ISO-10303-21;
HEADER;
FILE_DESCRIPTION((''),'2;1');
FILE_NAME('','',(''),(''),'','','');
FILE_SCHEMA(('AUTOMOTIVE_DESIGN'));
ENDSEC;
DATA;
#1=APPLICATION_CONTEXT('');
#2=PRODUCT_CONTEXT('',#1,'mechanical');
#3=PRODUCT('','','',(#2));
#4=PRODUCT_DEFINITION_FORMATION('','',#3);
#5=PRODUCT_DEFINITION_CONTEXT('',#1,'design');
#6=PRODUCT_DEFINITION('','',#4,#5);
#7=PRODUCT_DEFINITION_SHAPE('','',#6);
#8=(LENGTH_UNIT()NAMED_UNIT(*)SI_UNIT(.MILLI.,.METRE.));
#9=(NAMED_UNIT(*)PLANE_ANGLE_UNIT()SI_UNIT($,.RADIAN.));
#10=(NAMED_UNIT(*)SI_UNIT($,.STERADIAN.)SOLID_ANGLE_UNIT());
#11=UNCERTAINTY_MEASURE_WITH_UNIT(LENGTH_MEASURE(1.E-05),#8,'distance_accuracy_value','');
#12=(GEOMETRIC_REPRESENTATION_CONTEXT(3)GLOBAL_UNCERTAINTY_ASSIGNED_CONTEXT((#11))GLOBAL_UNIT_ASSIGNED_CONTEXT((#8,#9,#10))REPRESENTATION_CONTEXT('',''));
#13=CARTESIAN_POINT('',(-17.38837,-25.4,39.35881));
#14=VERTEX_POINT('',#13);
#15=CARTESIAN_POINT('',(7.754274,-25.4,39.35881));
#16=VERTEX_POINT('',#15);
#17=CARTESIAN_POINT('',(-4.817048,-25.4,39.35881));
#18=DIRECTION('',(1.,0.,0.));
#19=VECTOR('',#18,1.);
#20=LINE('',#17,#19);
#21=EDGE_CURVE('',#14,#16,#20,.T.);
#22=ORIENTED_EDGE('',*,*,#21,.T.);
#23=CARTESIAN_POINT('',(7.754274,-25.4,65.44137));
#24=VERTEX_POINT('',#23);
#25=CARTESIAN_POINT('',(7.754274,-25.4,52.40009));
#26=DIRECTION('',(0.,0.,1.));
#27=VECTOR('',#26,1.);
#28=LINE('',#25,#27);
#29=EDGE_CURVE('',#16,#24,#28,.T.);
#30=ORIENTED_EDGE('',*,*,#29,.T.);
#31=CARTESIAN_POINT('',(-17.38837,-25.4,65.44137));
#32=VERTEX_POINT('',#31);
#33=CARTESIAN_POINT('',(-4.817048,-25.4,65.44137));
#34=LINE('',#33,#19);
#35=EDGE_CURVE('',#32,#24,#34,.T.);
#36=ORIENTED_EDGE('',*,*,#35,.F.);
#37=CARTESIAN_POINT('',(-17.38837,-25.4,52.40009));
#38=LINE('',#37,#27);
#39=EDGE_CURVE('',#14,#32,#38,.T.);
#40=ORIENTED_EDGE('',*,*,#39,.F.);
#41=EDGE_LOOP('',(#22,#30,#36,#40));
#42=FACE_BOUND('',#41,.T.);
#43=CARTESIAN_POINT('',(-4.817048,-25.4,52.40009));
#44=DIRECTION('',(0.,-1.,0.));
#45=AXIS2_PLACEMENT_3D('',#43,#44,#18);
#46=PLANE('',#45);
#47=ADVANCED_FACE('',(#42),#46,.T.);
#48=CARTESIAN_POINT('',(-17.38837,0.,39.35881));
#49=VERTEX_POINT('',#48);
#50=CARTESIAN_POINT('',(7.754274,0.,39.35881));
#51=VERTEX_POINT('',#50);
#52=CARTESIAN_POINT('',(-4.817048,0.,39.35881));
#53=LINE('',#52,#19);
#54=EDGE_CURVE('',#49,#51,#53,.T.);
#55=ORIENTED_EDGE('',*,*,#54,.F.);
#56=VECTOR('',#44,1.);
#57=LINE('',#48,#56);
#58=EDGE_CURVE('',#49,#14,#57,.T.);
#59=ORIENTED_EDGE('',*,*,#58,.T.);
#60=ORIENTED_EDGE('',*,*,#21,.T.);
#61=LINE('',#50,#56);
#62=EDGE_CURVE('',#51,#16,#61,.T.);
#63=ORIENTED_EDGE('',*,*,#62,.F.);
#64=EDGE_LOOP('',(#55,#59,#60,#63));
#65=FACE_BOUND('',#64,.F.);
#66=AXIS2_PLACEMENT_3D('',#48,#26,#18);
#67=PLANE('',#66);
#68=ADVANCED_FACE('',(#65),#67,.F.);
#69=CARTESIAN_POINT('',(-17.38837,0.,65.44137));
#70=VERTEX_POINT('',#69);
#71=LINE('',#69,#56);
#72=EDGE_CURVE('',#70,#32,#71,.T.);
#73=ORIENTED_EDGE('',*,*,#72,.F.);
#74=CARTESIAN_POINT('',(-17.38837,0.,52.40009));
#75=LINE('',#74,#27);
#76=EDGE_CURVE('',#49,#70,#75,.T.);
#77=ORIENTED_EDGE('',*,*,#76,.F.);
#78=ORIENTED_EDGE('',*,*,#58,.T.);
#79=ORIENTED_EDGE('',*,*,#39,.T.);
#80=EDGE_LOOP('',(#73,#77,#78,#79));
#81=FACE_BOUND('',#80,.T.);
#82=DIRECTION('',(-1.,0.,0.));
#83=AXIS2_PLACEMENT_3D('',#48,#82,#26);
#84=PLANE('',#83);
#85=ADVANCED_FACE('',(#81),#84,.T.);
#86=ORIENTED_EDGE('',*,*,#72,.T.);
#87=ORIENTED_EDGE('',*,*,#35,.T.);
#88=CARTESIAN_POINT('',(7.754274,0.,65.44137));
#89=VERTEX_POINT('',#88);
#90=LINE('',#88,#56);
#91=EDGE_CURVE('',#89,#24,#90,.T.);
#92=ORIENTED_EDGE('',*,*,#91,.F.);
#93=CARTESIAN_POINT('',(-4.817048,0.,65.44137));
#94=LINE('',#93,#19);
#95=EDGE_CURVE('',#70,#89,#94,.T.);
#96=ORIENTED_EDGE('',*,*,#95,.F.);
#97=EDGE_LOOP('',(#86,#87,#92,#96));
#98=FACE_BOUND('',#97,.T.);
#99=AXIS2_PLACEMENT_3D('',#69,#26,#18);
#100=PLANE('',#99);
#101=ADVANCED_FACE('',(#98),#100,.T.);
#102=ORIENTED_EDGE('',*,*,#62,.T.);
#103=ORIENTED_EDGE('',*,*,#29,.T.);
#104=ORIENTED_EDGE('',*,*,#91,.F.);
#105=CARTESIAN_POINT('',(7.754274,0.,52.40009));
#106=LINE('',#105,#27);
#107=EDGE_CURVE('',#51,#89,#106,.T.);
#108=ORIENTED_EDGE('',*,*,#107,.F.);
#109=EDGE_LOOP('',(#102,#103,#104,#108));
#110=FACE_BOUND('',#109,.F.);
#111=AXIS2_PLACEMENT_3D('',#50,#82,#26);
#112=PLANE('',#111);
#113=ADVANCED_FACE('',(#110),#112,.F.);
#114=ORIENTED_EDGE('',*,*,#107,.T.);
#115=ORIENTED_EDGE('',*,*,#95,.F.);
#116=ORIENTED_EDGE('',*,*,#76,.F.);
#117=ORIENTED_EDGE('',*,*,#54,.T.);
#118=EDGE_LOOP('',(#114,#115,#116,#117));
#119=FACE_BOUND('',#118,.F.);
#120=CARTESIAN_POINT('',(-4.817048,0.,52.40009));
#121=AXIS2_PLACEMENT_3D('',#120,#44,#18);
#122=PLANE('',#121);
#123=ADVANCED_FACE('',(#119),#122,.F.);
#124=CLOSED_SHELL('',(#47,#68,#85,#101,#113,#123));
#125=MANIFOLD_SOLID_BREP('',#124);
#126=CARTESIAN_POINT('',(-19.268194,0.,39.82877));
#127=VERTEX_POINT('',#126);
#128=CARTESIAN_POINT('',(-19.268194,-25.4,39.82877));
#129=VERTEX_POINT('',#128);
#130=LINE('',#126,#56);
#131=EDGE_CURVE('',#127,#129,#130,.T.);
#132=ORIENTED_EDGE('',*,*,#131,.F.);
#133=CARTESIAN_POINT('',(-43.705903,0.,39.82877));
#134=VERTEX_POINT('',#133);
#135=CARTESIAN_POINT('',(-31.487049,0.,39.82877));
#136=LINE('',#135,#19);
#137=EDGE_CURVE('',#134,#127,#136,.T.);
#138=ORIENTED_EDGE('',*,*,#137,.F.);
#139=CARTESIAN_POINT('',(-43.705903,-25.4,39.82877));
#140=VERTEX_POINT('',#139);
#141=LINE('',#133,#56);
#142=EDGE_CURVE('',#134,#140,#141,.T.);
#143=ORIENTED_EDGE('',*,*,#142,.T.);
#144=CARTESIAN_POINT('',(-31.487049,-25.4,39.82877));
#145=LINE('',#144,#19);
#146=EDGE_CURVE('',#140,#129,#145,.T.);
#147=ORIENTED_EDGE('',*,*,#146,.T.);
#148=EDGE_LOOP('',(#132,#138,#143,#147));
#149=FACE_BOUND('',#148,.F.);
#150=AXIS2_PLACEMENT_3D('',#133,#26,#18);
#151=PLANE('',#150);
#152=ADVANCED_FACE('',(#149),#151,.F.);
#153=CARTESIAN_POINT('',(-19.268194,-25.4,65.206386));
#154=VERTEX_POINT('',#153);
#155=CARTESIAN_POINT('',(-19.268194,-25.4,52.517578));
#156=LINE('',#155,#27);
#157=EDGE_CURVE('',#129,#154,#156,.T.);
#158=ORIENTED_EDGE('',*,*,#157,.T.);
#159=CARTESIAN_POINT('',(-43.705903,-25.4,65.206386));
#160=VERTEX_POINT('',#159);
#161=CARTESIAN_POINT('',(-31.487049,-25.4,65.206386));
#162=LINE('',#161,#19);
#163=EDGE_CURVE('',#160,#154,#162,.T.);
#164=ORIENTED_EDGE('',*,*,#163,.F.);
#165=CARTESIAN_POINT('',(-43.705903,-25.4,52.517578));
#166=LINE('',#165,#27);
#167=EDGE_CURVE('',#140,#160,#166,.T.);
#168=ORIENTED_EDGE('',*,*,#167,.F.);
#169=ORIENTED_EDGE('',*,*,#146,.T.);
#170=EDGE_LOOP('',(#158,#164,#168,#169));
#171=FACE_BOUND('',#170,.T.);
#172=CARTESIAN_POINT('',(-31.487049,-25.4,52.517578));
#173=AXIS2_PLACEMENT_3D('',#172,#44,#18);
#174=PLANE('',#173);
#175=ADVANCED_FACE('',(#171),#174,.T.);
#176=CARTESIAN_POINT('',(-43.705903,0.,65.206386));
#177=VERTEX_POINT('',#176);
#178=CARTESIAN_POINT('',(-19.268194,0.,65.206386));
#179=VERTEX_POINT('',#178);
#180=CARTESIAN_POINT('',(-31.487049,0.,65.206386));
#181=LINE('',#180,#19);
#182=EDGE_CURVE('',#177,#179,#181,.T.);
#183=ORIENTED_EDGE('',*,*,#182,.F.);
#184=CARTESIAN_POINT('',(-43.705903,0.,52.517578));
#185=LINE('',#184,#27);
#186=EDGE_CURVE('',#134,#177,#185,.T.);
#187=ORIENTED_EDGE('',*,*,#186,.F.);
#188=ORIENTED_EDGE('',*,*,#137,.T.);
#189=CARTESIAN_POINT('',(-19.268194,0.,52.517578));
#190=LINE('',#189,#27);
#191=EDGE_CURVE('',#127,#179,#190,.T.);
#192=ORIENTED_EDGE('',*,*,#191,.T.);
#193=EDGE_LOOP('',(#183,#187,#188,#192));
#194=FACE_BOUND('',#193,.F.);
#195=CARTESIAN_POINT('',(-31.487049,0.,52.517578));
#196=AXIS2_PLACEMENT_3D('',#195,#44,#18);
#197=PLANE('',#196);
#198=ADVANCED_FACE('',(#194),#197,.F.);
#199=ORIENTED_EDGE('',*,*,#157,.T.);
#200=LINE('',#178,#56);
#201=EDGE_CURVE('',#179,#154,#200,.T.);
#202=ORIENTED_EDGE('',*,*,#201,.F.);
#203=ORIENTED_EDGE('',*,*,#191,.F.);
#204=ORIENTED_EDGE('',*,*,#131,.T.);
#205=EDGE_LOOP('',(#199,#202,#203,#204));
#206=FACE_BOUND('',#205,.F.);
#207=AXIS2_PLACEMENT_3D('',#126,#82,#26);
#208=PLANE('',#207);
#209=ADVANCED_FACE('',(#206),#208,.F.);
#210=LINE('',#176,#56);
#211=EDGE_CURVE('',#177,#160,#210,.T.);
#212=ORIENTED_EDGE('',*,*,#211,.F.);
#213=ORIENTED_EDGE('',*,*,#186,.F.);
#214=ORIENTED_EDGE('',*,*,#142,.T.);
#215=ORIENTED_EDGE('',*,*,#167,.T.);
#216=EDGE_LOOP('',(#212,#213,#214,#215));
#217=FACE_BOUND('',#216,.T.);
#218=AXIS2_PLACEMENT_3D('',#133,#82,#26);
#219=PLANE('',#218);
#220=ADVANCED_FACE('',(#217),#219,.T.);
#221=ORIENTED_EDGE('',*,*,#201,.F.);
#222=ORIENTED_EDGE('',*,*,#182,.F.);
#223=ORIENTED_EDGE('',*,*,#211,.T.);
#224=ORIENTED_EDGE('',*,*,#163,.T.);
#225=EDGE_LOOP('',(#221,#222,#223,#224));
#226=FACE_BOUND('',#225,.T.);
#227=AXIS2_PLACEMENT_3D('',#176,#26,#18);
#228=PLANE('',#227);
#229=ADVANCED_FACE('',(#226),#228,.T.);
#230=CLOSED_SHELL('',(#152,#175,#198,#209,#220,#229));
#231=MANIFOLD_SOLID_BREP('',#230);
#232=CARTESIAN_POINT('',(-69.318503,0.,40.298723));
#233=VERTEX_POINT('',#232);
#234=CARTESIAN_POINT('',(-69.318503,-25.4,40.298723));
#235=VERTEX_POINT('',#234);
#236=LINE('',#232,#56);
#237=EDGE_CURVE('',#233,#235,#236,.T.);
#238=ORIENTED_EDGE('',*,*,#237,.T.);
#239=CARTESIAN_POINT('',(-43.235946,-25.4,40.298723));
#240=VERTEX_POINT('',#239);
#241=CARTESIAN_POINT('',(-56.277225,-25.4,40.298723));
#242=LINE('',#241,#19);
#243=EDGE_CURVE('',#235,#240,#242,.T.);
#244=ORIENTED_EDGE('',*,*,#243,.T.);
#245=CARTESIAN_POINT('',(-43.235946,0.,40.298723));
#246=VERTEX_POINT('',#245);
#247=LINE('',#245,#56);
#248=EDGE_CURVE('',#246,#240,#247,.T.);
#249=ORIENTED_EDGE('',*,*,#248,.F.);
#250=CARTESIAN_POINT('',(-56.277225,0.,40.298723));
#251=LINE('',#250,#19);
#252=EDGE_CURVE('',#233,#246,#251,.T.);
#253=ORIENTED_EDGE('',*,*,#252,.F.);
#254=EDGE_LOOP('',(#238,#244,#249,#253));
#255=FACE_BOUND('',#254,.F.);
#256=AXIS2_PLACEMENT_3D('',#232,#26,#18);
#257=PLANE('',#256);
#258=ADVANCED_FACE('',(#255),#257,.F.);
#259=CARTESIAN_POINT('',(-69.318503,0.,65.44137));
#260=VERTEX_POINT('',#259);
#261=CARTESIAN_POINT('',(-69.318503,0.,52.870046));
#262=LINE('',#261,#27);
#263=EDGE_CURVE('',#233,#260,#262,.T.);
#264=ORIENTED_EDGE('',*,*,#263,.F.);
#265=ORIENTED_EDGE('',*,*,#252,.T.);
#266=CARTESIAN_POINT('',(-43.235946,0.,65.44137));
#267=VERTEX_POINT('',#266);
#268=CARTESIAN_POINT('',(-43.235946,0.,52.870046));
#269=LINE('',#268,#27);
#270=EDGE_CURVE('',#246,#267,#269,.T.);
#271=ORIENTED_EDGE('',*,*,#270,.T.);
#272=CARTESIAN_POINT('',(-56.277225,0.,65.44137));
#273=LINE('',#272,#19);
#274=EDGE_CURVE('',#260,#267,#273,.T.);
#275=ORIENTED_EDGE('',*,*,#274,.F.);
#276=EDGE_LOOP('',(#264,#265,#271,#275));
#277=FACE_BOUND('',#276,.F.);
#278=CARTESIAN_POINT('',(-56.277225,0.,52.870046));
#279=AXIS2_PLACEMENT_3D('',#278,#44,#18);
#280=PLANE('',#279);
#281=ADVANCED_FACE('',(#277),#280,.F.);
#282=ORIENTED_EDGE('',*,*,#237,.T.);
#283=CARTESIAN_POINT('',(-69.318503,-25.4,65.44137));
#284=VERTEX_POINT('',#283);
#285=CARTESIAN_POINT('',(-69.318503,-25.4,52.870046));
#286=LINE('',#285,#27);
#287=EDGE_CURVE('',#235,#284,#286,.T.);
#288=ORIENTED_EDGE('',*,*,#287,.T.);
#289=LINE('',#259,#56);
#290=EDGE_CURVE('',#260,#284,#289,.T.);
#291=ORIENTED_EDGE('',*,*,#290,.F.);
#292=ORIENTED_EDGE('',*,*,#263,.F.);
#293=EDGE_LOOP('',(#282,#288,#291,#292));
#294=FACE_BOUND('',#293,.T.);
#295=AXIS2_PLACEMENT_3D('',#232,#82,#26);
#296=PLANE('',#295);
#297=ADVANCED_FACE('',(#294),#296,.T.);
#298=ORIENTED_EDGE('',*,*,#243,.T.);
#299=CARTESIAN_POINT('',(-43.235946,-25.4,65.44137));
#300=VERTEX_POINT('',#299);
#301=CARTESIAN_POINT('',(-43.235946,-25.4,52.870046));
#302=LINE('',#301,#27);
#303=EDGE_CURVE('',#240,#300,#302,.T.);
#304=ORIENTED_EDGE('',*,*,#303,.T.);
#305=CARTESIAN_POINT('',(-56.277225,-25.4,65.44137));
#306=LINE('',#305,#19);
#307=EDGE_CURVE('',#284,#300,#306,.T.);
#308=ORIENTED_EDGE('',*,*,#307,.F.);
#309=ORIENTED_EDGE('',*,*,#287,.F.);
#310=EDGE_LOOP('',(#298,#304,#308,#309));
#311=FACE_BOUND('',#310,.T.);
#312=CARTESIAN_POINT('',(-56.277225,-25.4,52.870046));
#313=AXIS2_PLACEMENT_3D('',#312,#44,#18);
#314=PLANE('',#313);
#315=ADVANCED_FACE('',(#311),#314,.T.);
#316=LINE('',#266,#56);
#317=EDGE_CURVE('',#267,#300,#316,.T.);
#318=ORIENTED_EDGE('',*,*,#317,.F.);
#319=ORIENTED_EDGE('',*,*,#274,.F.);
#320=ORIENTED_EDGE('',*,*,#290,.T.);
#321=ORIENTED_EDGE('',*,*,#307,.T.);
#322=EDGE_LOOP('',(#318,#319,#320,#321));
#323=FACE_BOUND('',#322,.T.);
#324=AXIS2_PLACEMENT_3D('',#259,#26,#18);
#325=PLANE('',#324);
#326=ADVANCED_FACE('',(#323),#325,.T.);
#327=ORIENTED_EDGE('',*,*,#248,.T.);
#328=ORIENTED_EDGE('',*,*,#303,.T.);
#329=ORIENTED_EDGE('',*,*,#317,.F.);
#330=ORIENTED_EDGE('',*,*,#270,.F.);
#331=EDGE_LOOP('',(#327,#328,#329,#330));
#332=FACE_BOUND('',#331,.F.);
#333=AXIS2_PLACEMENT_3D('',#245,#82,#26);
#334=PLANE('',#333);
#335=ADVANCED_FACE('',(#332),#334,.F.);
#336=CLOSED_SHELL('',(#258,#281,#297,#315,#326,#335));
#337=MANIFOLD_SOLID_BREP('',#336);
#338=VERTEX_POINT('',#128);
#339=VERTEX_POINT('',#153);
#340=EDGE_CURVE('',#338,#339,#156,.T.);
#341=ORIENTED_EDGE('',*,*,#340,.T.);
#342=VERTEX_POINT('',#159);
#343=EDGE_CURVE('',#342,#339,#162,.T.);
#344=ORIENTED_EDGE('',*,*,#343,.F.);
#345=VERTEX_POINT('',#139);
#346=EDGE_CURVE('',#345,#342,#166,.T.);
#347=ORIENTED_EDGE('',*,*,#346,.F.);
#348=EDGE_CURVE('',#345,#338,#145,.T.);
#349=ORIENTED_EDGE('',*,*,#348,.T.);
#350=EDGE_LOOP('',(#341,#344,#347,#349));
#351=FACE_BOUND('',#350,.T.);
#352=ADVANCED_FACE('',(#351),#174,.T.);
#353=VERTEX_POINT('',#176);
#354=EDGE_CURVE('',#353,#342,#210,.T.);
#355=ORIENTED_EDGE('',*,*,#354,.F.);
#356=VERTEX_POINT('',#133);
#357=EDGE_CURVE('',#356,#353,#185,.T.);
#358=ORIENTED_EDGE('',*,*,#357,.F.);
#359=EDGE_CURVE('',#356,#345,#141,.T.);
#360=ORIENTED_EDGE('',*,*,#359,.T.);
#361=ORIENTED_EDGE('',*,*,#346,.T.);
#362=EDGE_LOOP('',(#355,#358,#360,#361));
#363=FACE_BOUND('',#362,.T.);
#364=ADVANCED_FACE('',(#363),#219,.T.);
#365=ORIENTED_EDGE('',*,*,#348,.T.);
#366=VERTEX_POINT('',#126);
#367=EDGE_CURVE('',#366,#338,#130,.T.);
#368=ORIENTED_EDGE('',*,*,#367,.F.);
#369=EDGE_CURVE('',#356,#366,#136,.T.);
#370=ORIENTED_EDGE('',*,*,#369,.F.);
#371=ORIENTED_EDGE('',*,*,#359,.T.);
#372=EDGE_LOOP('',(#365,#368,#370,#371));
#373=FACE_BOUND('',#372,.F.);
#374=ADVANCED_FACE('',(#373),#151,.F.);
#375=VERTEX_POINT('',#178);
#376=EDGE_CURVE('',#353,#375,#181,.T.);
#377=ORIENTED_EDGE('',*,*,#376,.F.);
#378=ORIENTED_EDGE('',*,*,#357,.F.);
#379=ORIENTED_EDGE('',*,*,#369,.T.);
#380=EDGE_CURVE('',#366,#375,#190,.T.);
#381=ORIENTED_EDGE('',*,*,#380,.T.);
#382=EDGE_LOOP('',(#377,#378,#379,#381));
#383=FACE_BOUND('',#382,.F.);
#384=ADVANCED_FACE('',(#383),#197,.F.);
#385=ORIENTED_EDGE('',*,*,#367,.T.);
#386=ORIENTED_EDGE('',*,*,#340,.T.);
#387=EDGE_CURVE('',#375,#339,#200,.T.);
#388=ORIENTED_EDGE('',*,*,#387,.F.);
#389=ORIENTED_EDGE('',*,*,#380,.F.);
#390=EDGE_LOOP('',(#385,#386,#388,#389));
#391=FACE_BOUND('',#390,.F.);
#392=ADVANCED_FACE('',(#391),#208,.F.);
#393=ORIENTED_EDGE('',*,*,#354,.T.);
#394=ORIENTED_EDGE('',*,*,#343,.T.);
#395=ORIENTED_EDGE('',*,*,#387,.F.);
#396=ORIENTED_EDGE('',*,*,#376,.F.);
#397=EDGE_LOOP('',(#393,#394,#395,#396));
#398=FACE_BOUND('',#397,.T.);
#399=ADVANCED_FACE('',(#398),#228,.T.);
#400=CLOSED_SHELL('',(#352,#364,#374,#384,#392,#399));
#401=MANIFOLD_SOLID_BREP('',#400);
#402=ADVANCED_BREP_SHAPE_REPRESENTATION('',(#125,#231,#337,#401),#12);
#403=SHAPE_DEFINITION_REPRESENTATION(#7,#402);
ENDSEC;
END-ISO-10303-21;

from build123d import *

# Parameters (mm, degrees)
F0_W     = 26.0825566947
F0_H     = 25.142647326
F2_DEPTH = 25.4
F1_W     = 24.4377087802
F1_H     = 25.3776162863
F3_DEPTH = 25.4
F4_W     = 25.1426440664
F4_H     = 26.08256042
F5_DEPTH = 25.4


with BuildPart() as f2:
    # F0 (on Front) → F2 (new body)
    with BuildSketch(Plane.XZ):
        with Locations((-56.277224794, 52.8700463474)):
            Rectangle(F0_W, F0_H)
    extrude(amount=F2_DEPTH)


with BuildPart() as f2b:
    # F1 (on Front) → F2, piece 2 (new body)
    with BuildSketch(Plane.XZ):
        with Locations((-31.4870486036, 52.5175780058)):
            Rectangle(F1_W, F1_H)
    extrude(amount=F2_DEPTH)


with BuildPart() as f3:
    # F1 (on Front) → F3 (new body)
    with BuildSketch(Plane.XZ):
        with Locations((-31.4870486036, 52.5175780058)):
            Rectangle(F1_W, F1_H)
    extrude(amount=F3_DEPTH)


with BuildPart() as f5:
    # F4 (on Front) → F5 (new body)
    with BuildSketch(Plane.XZ):
        with Locations((-4.8170478549, 52.4000898004)):
            Rectangle(F4_W, F4_H)
    extrude(amount=F5_DEPTH)


solid = Compound([f2.part, f2b.part, f3.part, f5.part])
